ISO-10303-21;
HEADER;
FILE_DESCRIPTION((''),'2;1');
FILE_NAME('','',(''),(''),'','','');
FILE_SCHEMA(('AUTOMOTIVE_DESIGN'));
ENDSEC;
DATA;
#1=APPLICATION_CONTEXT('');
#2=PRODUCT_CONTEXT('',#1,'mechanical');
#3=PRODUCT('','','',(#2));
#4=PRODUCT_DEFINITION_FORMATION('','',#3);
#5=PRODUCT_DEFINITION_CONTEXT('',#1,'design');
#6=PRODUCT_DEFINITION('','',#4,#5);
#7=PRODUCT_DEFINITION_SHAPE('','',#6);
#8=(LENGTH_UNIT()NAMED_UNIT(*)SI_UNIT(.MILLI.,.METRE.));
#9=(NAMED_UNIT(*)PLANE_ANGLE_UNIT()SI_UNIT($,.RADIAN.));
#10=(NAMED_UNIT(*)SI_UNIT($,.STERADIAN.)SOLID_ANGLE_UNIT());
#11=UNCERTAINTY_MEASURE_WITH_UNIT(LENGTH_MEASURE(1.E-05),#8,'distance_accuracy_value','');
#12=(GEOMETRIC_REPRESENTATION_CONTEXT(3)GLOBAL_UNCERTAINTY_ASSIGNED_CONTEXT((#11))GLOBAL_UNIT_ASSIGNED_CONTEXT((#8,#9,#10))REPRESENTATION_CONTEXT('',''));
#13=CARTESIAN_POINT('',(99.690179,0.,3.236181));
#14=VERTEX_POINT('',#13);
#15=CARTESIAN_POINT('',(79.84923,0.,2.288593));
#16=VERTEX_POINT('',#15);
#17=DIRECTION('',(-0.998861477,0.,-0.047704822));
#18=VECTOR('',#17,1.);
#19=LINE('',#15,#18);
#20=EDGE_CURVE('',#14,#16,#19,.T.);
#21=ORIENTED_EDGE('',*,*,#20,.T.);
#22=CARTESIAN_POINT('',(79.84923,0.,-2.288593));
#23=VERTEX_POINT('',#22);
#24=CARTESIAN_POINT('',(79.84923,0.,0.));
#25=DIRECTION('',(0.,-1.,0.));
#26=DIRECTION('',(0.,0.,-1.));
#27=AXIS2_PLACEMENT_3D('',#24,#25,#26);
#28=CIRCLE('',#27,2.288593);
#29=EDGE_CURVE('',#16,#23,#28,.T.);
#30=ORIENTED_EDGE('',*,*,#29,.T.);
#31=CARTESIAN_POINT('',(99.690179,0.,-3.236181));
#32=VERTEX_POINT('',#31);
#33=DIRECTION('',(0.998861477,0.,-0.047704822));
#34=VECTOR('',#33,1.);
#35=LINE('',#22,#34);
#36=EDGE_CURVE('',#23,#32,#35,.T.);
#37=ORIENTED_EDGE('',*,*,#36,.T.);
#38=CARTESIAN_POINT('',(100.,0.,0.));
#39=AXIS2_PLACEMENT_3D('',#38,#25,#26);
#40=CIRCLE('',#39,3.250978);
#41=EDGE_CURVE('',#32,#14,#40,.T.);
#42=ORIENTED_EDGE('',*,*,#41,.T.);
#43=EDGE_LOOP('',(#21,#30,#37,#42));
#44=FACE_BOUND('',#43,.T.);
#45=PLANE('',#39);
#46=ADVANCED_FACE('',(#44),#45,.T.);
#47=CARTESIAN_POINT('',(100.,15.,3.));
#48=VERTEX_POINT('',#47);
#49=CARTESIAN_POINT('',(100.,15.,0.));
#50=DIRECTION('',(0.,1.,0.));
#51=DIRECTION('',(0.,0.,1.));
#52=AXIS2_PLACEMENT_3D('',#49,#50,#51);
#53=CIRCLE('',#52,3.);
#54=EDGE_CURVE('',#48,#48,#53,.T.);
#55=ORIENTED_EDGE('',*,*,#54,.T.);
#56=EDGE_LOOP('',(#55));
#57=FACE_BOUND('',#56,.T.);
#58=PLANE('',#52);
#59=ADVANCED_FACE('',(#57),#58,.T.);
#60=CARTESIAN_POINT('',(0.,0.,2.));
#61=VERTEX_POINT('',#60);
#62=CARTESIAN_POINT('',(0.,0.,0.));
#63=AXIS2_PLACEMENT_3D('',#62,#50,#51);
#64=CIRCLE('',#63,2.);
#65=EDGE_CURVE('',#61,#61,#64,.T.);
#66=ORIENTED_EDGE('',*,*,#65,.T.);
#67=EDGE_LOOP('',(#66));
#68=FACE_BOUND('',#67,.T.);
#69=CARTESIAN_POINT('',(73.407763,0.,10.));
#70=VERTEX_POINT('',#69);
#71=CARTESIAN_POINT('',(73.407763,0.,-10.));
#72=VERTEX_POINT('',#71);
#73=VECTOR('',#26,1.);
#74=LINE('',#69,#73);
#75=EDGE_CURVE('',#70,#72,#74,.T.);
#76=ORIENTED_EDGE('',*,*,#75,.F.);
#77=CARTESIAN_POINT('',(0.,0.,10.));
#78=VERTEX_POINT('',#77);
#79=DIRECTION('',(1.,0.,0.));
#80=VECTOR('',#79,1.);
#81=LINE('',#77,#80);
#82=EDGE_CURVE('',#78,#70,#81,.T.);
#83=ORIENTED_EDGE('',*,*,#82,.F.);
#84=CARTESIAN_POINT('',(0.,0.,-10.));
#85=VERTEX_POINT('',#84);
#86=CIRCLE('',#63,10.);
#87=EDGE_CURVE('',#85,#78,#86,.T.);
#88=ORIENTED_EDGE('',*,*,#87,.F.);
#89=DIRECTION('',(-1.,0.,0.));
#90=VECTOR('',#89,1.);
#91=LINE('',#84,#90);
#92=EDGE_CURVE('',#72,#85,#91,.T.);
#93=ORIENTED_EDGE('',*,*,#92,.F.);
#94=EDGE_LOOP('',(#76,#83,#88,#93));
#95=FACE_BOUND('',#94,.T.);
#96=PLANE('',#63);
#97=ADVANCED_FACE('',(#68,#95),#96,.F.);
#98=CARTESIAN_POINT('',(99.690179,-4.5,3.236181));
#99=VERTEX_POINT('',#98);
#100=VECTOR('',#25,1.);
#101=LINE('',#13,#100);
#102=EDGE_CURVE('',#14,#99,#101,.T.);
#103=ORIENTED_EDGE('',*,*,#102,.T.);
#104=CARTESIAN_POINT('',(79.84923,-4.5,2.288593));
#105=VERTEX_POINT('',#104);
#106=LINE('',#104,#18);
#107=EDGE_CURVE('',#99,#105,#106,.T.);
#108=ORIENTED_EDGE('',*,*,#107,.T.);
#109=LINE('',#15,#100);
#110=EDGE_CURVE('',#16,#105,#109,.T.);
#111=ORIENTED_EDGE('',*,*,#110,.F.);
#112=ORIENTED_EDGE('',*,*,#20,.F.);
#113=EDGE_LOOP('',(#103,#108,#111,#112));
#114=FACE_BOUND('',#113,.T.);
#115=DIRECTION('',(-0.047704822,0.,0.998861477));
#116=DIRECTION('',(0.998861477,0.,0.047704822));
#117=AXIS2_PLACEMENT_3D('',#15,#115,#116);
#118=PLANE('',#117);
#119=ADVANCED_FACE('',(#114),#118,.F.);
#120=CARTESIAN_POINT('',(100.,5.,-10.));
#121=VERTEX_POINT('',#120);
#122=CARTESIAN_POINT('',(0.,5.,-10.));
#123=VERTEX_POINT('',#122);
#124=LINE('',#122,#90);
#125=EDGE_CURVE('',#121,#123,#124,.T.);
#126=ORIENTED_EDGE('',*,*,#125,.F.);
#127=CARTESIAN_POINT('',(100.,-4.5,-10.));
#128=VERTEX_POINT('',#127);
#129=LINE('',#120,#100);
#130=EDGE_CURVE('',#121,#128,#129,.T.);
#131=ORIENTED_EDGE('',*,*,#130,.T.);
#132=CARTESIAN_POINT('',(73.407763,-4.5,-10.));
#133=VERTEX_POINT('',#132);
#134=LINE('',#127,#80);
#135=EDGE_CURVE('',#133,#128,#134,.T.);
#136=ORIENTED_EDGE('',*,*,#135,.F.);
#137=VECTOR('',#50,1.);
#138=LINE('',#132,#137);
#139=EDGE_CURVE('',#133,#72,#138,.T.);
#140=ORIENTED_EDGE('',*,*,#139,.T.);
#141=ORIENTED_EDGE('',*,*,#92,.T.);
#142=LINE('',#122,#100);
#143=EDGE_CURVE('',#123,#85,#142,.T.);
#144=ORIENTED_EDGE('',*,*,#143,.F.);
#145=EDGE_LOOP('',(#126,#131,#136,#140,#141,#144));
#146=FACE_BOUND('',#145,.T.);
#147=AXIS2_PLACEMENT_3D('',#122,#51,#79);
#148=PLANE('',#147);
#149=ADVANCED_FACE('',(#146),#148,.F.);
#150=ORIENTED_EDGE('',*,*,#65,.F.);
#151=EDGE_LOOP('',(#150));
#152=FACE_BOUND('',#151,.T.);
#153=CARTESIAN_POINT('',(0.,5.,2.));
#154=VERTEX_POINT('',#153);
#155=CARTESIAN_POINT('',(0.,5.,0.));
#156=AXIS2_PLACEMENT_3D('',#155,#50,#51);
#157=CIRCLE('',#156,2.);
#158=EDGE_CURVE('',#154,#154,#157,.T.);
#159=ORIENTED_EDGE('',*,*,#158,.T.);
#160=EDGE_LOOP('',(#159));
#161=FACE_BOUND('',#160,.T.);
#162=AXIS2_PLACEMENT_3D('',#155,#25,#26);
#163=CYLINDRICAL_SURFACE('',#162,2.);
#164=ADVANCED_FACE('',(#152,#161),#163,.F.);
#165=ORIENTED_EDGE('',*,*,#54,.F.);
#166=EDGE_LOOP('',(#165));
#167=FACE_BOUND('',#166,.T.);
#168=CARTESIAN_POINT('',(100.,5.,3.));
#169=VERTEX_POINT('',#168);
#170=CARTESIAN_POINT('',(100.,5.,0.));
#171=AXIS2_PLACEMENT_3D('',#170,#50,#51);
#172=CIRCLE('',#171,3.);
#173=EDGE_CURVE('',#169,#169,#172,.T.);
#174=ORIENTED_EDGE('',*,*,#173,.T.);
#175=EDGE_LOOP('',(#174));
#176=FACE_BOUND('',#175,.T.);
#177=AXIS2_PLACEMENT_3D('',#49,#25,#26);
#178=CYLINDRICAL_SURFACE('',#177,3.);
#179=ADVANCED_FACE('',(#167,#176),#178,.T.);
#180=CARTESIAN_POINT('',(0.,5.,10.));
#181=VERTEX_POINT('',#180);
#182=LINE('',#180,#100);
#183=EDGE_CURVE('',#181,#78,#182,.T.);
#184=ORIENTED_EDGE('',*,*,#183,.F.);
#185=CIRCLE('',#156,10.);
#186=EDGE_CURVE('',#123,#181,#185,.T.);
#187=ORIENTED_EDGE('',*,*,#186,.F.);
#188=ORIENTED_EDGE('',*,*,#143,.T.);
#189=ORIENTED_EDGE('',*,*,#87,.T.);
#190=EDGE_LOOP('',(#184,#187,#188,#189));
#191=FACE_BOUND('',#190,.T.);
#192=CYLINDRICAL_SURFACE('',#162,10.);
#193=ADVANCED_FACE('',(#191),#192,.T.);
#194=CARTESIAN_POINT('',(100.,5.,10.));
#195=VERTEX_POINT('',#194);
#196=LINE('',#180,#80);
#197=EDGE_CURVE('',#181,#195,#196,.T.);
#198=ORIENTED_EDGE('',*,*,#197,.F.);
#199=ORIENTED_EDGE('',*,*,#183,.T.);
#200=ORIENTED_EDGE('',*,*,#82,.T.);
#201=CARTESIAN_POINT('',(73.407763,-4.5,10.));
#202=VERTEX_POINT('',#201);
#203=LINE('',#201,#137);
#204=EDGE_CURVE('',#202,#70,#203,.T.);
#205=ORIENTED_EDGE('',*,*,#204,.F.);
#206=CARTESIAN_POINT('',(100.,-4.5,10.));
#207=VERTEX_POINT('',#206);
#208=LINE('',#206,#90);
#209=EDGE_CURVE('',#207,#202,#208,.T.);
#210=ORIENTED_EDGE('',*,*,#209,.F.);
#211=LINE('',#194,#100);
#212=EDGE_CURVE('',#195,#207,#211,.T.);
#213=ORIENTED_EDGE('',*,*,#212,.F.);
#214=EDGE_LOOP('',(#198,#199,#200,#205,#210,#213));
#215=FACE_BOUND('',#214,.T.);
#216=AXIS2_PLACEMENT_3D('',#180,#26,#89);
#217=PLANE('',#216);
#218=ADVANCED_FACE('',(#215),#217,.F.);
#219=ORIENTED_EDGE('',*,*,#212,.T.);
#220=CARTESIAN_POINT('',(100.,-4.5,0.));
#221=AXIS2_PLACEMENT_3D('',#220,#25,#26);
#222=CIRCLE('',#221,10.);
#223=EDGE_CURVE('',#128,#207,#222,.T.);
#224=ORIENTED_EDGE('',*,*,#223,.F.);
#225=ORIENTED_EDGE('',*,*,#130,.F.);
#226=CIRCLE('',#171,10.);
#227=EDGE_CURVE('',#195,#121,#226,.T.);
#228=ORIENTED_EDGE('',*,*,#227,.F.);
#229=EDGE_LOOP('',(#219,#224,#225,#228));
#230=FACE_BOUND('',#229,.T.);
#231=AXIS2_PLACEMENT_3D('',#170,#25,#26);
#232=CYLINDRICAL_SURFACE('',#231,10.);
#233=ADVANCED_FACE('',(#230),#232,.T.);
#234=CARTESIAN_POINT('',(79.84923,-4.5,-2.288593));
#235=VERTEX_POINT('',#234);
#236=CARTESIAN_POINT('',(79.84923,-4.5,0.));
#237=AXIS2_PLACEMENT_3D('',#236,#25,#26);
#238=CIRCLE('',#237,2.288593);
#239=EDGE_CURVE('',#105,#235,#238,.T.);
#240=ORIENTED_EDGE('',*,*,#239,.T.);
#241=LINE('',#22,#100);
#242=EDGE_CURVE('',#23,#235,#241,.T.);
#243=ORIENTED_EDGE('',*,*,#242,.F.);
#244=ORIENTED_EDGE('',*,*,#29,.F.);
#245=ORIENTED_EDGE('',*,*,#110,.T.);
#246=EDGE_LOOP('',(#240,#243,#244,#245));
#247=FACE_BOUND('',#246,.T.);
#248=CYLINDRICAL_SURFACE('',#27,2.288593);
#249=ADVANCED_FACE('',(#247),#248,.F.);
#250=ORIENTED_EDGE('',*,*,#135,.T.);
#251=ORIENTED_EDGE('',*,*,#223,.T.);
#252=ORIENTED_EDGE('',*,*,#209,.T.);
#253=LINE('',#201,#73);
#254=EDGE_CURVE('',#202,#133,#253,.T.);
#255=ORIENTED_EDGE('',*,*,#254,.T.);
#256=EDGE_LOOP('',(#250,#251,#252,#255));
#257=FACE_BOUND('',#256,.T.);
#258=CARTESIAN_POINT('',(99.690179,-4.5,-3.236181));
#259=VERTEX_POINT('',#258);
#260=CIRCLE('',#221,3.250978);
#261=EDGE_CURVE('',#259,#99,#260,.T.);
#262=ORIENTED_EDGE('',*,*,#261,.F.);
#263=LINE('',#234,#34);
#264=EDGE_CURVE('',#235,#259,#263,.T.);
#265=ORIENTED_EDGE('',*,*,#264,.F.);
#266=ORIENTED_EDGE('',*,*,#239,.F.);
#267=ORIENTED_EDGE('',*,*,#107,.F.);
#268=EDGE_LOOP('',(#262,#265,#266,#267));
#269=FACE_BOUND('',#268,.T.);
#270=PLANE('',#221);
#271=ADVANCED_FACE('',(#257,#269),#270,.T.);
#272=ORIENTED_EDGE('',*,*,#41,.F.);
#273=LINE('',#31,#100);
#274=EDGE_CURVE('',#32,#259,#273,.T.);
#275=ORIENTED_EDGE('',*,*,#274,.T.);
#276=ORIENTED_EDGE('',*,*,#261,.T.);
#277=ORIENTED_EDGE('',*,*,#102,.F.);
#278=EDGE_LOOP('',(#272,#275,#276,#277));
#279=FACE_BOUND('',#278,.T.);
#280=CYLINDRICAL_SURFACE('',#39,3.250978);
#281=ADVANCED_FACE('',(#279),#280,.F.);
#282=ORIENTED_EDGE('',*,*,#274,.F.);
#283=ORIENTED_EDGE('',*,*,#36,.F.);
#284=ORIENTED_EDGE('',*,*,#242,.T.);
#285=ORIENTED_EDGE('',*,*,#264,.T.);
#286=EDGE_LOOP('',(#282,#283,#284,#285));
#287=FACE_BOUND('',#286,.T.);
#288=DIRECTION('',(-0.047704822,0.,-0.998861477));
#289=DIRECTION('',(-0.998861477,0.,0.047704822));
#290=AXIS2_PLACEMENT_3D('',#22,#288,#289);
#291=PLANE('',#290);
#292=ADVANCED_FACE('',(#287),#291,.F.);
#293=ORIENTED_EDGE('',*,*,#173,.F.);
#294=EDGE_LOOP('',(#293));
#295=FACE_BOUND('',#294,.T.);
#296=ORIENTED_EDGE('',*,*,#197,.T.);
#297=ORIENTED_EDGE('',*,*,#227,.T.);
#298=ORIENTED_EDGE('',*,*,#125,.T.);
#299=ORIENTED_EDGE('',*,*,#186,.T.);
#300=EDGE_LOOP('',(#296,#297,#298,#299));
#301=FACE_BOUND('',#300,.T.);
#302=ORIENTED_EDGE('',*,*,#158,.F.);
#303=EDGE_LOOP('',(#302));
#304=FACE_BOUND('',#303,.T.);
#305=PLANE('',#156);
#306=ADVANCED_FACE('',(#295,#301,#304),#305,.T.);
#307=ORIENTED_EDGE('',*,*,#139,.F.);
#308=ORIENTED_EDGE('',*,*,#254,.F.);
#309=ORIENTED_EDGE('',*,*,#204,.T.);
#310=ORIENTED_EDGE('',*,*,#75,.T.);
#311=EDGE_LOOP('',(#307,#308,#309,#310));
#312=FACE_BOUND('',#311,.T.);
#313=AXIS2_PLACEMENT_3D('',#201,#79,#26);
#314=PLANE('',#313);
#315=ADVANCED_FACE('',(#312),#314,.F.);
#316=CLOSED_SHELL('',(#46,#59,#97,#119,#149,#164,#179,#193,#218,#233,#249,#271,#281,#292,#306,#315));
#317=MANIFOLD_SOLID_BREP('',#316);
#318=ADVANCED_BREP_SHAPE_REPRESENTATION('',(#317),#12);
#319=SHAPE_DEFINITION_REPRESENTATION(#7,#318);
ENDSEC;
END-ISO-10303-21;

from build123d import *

# Parameters (mm, degrees)
SKETCH_1_R          = 2
EXTRUDE_1_DEPTH     = 5
SKETCH_2_R          = 3
EXTRUDE_2_DEPTH     = 10
EXTRUDE_START       = 4.5
EXTRUDE_3_DEPTH     = 4.5
CUT_EXTRUDE_1_DEPTH = 4.5


with BuildPart() as part:
    # 草图1 → 凸台-拉伸1 (new body)
    with BuildSketch(Plane(origin=(0, 0, 0), x_dir=(1, 0, 0), z_dir=(0, 1, 0))):
        with BuildLine():
            Line((0, 10), (100, 10))
            ThreePointArc((100, 10), (110, 0), (100, -10))
            Line((100, -10), (0, -10))
            ThreePointArc((0, -10), (-10, 0), (0, 10))
        make_face()
        with Locations(Location((0, 0, 0), (0, 0, 270))):
            Circle(SKETCH_1_R, mode=Mode.SUBTRACT)
    extrude(amount=EXTRUDE_1_DEPTH)

    # 草图2 → 凸台-拉伸2 (add)
    with BuildSketch(Plane(origin=(0, 5, 0), x_dir=(1, 0, 0), z_dir=(0, 1, 0))):
        with Locations(Location((100, 0, 0), (0, 0, 270))):
            Circle(SKETCH_2_R)
    extrude(amount=EXTRUDE_2_DEPTH)

    # 草图3 → 凸台-拉伸3 (add)
    with BuildSketch(Plane.XZ.offset(EXTRUDE_START)):
        with BuildLine():
            Line((100, 10), (73.40776322, 10))
            Line((73.40776322, 10), (73.40776322, -10))
            Line((73.40776322, -10), (100, -10))
            ThreePointArc((100, -10), (110, 0), (100, 10))
        make_face()
    extrude(amount=-EXTRUDE_3_DEPTH)

    # 草图4 → 切除-拉伸1 (cut)
    with BuildSketch(Plane.XZ.offset(4.5)):
        with BuildLine():
            Line((79.849230428, 2.288593229), (99.690178504, 3.236180981))
            ThreePointArc((99.690178504, 3.236180981), (103.250977807, 0), (99.690178504, -3.236180981))
            Line((99.690178504, -3.236180981), (79.849230428, -2.288593229))
            ThreePointArc((79.849230428, -2.288593229), (77.560637199, 0), (79.849230428, 2.288593229))
        make_face()
    extrude(amount=-CUT_EXTRUDE_1_DEPTH, mode=Mode.SUBTRACT)


solid = part.part
